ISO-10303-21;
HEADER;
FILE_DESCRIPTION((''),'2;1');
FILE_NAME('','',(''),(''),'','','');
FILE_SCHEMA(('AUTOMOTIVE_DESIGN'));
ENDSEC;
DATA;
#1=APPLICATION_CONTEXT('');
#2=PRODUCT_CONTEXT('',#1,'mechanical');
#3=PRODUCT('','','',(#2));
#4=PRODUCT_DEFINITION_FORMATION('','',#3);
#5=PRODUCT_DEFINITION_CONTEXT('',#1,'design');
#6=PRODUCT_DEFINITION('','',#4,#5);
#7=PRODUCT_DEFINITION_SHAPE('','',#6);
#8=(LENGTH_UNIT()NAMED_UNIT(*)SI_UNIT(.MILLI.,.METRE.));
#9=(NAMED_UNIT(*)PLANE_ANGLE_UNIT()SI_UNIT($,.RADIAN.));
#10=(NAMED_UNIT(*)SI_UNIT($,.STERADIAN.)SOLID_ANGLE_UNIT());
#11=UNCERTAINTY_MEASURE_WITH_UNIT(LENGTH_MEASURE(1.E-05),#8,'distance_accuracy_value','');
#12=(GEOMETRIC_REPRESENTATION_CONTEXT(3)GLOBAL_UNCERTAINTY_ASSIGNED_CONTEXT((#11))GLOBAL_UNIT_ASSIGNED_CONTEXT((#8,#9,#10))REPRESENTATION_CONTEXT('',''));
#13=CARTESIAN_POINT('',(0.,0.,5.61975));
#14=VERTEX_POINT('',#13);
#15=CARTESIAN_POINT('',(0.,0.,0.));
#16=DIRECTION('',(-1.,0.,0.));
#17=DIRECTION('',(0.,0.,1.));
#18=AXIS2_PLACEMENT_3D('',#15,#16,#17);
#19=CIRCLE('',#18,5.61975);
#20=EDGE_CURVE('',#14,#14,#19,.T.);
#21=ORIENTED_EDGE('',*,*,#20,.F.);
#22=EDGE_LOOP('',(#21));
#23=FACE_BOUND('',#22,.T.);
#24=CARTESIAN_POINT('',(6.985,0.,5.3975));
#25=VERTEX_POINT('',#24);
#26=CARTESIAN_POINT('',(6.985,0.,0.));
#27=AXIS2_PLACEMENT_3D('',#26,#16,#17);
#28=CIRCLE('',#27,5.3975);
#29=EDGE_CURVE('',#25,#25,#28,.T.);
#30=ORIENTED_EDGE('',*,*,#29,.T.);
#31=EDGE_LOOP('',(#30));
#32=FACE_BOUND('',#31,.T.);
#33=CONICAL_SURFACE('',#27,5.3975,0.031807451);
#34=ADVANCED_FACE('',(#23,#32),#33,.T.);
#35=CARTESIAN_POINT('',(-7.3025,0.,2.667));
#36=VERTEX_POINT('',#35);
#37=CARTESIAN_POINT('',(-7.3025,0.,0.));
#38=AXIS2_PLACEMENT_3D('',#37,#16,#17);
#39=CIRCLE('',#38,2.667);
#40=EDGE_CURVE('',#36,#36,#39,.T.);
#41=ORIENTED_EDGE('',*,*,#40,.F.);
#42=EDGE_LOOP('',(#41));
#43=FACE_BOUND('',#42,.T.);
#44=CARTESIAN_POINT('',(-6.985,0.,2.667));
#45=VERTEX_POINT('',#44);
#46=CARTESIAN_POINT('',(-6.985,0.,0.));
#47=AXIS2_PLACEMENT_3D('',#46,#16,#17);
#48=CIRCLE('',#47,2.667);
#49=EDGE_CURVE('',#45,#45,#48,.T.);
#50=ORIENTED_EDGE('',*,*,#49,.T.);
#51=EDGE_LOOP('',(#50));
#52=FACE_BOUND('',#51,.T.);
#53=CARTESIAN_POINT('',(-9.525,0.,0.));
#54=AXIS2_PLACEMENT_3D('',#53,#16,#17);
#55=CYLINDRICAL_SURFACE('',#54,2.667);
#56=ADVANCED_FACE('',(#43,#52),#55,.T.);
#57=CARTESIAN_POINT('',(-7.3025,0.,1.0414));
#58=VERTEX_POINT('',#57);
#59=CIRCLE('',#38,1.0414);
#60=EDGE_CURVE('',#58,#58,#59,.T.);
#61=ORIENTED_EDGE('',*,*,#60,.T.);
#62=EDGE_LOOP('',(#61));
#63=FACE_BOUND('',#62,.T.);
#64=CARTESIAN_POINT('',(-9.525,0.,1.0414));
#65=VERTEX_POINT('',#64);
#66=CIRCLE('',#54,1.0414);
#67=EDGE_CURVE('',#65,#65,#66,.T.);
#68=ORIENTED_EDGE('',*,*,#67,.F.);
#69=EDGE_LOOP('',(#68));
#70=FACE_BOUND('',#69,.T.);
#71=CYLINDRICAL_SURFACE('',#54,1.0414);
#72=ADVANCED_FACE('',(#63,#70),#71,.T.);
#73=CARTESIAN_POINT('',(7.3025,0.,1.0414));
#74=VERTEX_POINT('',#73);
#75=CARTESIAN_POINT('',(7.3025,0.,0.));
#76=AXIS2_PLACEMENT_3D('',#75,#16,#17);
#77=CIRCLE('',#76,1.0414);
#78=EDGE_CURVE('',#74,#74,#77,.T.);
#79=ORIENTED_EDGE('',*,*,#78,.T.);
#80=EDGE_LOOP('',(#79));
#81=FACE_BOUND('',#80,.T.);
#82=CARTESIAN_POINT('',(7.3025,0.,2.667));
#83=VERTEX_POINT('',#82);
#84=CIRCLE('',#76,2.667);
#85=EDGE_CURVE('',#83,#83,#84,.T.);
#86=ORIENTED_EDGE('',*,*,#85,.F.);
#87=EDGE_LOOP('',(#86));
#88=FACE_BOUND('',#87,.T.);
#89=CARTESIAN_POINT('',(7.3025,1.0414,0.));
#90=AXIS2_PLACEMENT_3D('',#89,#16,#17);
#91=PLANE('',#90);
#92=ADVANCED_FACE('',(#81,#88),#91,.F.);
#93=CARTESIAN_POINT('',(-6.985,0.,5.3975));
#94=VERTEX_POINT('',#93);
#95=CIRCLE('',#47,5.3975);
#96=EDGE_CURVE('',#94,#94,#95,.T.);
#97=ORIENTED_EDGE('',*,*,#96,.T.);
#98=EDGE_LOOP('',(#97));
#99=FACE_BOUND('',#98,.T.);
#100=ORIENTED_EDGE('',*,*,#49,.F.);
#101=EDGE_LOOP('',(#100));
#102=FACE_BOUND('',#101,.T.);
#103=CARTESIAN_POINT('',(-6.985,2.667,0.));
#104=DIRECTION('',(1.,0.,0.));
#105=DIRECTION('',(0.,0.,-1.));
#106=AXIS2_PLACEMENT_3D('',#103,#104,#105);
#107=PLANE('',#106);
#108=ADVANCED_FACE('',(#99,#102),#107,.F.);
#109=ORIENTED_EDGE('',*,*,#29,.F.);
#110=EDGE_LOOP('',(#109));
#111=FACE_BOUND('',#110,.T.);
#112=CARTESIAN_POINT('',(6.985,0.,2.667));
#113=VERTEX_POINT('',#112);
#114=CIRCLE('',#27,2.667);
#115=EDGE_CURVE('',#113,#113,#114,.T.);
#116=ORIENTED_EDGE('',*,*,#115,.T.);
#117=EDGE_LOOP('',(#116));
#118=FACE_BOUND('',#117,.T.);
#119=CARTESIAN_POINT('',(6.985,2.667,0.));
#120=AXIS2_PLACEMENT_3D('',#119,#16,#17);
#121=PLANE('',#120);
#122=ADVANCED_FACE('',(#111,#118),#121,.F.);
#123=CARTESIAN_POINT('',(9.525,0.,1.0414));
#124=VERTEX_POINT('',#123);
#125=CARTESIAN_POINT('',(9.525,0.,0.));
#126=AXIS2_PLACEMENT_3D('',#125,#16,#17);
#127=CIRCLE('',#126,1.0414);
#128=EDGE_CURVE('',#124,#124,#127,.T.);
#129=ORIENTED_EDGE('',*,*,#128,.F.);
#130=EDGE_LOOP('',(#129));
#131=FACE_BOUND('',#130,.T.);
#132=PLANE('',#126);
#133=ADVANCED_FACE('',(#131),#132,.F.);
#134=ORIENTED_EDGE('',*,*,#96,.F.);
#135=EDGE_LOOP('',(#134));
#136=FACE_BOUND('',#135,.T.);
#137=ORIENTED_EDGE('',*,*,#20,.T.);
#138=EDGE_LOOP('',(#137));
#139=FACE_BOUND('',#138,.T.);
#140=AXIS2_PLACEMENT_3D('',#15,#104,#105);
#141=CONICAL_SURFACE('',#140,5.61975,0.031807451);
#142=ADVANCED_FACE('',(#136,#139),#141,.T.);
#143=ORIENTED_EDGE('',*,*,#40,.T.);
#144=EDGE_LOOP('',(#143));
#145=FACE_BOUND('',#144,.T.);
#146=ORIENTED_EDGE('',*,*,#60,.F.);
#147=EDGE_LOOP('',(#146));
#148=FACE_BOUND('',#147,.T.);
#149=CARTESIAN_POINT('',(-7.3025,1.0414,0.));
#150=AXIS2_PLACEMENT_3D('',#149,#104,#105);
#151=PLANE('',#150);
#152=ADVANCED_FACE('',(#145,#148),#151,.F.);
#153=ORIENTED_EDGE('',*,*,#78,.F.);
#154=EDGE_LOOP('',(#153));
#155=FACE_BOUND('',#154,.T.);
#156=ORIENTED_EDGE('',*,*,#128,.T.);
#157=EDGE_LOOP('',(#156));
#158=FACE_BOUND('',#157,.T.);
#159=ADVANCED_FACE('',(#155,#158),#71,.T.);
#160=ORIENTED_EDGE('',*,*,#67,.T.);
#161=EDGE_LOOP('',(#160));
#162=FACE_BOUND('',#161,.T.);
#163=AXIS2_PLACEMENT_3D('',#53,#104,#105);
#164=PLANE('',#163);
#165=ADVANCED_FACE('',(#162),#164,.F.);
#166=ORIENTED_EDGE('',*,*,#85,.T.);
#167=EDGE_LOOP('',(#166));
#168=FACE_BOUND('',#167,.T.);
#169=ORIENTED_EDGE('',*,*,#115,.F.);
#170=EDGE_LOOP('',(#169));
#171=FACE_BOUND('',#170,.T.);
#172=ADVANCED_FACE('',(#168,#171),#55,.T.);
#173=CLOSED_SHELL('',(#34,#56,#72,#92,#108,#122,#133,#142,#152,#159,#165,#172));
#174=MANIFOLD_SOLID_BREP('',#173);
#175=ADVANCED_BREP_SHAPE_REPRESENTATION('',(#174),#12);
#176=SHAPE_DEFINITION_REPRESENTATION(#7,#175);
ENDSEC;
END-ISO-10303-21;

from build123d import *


with BuildPart() as part:
    # Sketch1 → Revolve1 (revolve)
    with BuildSketch(Plane.XY, mode=Mode.PRIVATE) as revolve1_sk:
        Polygon((-9.525, 0), (-9.525, 1.0414), (-7.3025, 1.0414), (-7.3025, 2.667), (-6.985, 2.667), (-6.985, 5.3975), (0, 5.61975), (6.985, 5.3975), (6.985, 2.667), (7.3025, 2.667), (7.3025, 1.0414), (9.525, 1.0414), (9.525, 0), align=None)
    revolve(revolve1_sk.sketch.rotate(Axis((-9.525, 0, 0), (1, 0, 0)), 90), axis=Axis((-9.525, 0, 0), (1, 0, 0)))


solid = part.part
